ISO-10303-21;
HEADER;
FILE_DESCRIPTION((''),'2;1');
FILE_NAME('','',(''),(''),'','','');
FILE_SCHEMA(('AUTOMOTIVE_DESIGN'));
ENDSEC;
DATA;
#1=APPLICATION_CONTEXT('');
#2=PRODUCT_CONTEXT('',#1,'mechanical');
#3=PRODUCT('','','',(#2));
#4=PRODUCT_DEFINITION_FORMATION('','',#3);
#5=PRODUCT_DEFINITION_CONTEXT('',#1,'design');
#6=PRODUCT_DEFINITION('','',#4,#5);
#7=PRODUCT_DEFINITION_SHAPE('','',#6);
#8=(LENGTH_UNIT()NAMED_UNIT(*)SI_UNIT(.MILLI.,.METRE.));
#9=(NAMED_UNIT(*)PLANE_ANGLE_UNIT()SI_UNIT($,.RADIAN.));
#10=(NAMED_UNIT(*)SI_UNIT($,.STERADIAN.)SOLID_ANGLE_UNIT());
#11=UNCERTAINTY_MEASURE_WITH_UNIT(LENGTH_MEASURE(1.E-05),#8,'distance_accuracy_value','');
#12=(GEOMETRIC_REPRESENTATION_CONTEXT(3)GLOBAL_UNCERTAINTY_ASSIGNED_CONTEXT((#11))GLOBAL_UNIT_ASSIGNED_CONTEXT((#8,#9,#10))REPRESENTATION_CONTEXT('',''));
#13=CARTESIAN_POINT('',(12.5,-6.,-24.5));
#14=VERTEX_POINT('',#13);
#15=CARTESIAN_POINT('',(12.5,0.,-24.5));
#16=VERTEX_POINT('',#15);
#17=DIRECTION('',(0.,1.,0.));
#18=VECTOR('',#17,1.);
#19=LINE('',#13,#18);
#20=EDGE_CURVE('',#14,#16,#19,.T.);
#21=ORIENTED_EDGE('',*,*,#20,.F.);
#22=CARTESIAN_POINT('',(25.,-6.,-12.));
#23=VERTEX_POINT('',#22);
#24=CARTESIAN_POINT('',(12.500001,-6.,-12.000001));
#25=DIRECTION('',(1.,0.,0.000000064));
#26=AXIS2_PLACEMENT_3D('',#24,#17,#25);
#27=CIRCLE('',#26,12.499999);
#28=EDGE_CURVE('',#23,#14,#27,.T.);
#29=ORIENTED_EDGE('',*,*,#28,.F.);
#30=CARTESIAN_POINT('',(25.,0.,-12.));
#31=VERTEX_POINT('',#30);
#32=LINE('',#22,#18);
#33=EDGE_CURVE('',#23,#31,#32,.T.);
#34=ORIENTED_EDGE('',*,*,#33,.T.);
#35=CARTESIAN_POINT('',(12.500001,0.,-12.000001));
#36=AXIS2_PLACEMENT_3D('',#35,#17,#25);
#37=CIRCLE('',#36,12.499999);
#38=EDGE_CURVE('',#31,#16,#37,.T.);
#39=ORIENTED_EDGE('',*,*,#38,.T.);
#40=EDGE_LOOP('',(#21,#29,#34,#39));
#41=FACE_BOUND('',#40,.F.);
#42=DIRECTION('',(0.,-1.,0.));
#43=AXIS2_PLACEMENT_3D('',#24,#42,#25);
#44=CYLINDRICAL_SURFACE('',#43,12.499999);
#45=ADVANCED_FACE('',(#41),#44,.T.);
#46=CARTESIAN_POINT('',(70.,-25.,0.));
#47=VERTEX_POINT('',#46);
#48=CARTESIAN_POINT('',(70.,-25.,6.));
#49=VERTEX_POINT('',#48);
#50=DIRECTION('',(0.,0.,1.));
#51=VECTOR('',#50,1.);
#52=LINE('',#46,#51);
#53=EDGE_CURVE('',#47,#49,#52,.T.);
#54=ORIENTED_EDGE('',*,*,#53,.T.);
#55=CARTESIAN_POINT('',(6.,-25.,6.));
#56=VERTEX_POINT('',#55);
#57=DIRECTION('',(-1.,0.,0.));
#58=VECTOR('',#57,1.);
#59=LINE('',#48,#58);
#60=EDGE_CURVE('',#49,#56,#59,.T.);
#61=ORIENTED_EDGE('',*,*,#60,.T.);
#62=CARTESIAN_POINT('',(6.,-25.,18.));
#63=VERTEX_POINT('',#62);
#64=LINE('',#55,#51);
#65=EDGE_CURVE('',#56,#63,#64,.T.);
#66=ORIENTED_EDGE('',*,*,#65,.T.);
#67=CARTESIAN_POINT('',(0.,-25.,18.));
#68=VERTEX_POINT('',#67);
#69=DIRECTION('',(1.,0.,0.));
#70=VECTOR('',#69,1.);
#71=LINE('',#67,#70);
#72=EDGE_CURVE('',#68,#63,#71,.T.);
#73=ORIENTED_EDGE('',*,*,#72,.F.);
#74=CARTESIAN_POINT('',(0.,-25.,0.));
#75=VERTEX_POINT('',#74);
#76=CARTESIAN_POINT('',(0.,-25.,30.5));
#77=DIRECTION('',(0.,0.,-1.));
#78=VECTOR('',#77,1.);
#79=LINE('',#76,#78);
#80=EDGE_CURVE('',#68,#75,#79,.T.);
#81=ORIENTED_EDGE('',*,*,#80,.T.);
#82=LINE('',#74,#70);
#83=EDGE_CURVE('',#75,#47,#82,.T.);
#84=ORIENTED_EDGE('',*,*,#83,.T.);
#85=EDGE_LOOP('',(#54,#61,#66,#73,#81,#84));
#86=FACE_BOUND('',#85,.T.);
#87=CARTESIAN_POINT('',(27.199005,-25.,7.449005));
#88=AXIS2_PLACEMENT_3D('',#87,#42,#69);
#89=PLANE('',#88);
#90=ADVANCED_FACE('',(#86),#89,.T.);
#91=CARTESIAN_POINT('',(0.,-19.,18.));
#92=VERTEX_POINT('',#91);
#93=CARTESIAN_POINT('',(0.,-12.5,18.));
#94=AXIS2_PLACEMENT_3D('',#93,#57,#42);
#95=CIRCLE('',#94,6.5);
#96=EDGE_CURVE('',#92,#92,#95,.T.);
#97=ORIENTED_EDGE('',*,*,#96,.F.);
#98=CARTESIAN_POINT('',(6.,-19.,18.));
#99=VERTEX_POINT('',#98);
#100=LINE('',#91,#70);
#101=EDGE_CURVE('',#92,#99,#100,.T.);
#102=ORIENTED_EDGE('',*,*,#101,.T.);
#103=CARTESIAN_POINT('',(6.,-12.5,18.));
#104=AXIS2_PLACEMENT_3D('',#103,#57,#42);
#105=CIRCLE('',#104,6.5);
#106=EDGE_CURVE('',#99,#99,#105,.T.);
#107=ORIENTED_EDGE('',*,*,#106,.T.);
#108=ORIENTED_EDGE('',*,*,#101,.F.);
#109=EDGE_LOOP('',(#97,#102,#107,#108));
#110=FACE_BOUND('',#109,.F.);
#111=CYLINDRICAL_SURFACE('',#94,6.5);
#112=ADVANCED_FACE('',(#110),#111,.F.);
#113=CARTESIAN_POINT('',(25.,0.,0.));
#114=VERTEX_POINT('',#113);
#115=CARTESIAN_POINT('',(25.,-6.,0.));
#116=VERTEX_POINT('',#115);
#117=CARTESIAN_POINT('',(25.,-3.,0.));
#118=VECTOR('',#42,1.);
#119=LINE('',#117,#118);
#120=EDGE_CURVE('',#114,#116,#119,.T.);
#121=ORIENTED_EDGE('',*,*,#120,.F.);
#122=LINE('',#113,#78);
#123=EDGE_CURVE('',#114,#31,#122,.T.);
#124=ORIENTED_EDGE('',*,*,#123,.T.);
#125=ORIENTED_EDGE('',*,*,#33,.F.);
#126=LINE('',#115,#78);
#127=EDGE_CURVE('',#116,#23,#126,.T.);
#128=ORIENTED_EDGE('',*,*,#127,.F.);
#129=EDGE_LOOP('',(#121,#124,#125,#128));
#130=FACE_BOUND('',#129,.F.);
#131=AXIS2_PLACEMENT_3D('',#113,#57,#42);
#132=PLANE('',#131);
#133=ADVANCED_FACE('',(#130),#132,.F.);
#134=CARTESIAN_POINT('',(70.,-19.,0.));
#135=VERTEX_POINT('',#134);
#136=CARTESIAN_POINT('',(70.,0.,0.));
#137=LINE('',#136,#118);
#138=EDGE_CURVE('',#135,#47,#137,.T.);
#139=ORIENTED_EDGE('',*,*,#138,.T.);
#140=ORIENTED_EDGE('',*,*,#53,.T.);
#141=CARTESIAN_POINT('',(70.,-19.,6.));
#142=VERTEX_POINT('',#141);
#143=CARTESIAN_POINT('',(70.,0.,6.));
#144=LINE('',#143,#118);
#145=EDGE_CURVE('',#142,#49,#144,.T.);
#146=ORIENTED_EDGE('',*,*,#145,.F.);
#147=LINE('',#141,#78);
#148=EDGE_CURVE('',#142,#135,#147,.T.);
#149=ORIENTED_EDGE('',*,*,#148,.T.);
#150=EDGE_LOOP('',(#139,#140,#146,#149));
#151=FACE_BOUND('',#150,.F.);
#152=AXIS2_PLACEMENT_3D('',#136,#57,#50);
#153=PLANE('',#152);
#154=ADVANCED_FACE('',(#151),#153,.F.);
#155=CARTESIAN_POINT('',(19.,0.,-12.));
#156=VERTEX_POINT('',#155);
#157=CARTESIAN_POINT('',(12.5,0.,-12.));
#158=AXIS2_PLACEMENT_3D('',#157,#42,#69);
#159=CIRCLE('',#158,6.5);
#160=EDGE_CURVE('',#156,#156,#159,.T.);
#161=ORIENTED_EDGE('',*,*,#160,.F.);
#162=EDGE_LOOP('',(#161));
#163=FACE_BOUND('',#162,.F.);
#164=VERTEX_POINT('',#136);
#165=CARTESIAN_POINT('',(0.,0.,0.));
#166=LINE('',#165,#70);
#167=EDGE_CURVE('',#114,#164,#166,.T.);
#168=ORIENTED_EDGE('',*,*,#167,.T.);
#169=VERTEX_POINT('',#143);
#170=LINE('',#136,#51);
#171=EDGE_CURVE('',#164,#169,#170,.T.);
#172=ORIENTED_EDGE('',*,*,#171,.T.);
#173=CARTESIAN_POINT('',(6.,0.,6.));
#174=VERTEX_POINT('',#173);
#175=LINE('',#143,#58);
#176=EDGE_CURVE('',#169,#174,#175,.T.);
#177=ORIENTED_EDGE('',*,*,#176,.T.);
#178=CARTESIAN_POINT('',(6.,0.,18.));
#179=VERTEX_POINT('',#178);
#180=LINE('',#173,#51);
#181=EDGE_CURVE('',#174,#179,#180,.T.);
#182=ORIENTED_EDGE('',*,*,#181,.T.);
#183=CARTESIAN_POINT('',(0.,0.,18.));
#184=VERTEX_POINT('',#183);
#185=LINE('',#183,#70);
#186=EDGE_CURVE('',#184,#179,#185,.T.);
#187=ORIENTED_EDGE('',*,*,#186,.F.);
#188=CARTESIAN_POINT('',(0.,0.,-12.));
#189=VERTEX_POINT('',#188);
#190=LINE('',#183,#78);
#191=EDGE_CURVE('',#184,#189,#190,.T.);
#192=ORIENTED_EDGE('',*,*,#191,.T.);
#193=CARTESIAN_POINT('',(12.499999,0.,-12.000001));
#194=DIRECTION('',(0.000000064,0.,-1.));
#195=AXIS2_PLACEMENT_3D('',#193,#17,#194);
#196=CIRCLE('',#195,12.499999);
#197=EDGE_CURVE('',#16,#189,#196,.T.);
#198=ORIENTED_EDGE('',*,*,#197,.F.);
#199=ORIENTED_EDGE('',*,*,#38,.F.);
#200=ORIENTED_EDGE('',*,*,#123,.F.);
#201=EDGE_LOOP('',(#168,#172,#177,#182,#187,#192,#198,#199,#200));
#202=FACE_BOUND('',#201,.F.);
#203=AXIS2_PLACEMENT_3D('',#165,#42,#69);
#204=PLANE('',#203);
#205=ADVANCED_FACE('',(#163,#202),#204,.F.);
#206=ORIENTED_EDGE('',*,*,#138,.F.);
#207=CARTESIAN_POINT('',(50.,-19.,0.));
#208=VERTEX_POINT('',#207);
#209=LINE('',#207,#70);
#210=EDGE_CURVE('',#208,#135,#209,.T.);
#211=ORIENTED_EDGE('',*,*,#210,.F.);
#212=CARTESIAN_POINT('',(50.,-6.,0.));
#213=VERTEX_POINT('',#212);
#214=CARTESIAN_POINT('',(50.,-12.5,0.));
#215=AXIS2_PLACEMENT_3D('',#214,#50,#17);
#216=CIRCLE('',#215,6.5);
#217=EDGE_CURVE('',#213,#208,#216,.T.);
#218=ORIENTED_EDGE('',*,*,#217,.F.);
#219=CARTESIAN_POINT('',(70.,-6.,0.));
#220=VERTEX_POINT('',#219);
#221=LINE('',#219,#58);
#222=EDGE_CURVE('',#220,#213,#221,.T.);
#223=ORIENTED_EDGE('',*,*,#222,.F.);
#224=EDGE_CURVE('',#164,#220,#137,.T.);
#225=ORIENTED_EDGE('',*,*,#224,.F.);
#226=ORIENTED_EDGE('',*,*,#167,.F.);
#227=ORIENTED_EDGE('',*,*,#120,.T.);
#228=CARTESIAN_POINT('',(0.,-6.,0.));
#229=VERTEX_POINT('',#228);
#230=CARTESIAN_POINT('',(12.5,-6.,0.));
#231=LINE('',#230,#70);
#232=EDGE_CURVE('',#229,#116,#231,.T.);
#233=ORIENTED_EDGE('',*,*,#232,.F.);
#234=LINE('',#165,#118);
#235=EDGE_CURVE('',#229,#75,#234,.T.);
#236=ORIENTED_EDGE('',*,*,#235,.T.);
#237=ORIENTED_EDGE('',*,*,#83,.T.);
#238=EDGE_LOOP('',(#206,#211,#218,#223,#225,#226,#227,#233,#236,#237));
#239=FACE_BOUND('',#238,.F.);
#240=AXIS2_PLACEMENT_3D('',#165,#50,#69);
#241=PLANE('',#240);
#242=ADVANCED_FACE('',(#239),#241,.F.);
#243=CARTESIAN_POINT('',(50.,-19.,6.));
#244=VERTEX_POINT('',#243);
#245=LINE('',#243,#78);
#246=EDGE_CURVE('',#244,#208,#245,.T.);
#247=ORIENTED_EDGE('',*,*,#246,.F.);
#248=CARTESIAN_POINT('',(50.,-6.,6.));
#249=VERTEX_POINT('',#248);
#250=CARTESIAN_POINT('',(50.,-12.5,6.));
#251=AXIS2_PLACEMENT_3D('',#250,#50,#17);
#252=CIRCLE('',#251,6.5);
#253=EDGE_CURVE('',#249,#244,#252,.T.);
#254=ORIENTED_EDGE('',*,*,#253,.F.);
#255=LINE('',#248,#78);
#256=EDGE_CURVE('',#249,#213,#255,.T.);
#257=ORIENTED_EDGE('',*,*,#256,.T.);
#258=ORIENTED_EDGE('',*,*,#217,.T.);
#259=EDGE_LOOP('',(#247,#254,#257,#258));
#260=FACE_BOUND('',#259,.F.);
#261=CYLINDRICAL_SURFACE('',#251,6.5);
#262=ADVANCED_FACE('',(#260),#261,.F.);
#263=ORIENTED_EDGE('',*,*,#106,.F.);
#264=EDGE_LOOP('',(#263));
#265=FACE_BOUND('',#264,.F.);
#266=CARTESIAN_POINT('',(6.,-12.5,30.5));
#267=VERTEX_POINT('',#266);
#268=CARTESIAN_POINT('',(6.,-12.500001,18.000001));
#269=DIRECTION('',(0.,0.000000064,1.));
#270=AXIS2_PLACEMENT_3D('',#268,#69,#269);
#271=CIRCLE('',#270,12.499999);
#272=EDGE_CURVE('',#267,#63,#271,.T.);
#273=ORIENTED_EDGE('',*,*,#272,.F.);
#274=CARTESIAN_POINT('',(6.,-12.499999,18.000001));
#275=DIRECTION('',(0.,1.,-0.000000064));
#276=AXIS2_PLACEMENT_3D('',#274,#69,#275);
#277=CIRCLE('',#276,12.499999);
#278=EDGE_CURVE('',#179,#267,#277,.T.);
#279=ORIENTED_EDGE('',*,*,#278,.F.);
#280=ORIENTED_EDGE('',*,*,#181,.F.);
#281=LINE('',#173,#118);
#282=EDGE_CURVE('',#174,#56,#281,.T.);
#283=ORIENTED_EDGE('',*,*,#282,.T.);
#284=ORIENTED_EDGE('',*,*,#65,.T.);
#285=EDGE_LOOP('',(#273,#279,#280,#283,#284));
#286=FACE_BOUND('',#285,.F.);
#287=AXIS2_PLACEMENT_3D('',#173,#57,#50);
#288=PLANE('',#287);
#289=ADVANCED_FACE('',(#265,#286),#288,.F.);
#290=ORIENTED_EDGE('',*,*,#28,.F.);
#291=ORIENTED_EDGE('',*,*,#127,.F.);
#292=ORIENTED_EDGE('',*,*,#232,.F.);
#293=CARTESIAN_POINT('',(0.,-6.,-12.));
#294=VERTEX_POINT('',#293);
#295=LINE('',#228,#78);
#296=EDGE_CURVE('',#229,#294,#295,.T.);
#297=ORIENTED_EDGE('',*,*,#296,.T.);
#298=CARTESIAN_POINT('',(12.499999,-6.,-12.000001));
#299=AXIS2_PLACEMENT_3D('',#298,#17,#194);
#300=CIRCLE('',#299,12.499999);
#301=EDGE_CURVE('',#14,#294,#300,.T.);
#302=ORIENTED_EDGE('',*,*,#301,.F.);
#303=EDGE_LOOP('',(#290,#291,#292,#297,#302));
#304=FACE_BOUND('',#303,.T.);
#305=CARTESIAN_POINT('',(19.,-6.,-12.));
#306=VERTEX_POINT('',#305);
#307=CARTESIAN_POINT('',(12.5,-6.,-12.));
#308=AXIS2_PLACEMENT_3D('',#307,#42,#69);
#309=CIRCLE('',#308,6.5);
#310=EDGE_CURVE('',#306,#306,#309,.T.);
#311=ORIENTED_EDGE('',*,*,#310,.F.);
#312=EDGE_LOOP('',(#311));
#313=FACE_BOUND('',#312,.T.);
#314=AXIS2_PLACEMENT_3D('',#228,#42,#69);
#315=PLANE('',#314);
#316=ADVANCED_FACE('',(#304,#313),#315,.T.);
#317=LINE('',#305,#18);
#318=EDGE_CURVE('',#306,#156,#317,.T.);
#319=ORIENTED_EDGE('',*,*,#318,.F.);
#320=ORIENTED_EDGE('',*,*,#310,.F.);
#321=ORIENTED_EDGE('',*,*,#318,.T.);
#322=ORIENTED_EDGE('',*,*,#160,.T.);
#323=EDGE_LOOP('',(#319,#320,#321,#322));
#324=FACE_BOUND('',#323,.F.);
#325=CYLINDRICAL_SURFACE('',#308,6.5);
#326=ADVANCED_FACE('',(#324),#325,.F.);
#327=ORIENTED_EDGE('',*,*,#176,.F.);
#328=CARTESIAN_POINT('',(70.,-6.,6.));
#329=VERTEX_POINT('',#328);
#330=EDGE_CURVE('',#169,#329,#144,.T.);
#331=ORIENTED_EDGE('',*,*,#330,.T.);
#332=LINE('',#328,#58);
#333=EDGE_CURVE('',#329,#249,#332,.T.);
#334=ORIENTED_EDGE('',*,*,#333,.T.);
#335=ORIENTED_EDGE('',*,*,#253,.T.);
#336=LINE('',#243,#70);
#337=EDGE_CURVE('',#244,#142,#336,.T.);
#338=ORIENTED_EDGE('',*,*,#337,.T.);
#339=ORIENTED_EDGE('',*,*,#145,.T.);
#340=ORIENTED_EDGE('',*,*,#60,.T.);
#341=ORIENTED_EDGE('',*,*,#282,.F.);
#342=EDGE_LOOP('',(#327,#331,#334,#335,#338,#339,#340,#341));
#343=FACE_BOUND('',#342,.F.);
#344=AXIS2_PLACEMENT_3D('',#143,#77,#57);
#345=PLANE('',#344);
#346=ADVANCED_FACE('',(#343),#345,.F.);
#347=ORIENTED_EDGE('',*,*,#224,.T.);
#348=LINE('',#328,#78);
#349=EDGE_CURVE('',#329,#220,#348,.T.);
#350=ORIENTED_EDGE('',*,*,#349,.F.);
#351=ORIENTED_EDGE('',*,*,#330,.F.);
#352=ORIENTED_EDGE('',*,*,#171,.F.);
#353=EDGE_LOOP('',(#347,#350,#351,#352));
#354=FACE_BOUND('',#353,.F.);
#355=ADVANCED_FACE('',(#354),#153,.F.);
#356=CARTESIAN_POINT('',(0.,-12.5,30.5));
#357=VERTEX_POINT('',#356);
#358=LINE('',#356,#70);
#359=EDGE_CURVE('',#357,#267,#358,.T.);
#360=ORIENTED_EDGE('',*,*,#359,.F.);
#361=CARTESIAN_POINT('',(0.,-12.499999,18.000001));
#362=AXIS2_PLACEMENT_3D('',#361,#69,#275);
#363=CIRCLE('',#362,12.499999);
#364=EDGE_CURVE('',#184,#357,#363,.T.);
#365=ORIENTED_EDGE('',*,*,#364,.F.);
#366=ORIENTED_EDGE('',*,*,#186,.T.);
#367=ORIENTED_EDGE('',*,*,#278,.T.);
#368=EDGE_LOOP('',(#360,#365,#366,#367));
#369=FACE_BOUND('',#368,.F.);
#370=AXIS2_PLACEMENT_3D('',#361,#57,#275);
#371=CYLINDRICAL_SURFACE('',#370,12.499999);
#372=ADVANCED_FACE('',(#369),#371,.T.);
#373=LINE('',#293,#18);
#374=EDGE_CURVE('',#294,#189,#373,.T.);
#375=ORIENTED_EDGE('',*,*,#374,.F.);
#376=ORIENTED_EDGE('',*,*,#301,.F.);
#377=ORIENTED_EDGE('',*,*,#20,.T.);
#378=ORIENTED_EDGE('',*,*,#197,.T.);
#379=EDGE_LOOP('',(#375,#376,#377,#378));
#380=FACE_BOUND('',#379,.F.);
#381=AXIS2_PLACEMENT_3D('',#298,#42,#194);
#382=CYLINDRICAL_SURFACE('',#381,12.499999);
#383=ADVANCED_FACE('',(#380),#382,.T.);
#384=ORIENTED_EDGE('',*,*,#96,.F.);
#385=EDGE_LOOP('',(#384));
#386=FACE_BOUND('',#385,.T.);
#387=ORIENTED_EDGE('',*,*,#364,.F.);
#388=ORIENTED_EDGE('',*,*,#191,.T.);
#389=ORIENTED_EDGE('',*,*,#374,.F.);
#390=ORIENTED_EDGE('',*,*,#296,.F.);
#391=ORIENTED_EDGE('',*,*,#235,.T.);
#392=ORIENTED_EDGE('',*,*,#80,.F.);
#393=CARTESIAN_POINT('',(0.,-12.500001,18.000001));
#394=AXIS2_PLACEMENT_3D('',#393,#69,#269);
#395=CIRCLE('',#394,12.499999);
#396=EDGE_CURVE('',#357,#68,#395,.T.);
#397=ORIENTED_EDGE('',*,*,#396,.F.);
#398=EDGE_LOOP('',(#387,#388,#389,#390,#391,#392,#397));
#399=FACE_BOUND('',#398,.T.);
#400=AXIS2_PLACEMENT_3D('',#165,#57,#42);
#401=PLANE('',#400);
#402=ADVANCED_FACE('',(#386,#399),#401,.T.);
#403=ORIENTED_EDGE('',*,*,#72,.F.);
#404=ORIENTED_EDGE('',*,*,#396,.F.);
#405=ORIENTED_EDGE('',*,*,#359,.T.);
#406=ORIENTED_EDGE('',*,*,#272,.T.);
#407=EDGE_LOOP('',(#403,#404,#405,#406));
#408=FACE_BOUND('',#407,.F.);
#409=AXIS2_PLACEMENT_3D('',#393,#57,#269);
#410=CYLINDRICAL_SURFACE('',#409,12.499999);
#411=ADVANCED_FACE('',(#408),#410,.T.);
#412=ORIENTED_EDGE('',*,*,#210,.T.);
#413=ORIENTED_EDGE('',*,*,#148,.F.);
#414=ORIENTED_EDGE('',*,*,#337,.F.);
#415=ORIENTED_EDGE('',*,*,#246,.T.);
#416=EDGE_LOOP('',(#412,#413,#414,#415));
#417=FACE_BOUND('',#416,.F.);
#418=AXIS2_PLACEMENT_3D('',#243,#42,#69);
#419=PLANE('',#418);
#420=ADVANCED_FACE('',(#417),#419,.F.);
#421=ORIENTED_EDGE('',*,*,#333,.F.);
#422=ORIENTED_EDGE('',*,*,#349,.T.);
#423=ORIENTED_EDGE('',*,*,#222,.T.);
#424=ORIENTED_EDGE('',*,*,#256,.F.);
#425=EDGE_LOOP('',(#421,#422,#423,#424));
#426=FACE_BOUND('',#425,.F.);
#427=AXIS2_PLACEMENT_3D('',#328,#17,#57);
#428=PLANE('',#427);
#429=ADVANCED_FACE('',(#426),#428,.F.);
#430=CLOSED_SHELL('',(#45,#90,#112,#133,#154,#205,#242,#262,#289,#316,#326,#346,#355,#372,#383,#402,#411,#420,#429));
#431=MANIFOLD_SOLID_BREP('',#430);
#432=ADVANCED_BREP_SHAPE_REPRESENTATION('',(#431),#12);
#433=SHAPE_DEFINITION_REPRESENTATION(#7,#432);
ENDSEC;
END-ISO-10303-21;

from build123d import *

# Parameters (mm, degrees)
F1_DEPTH  = 25
F3_DEPTH  = 6
F5_DEPTH  = 6
F6_R      = 6.5
F7_DEPTH  = 6
F8_W      = 25
F8_H      = 6
F9_DEPTH  = 24.5
F10_R     = 6.5
F11_DEPTH = 6


with BuildPart() as f1:
    # F0 (on Front) → F1 (new body)
    with BuildSketch(Plane.XZ):
        Polygon((0, 30.5), (0, 0), (70, 0), (70, 6), (6, 6), (6, 30.5), align=None)
    extrude(amount=F1_DEPTH)

    # F2 (on face) → F3 (cut)
    with BuildSketch(Plane.XY.offset(6)):
        with BuildLine():
            Line((70, -19), (70, -6))
            Line((70, -6), (50, -6))
            ThreePointArc((50, -6), (43.5, -12.5), (50, -19))
            Line((50, -19), (70, -19))
        make_face()
    extrude(amount=-F3_DEPTH, mode=Mode.SUBTRACT)

    # F4 (on face) → F5 (cut)
    with BuildSketch(Plane(origin=(0, 0, 0), x_dir=(0, -1, 0), z_dir=(-1, 0, 0))):
        with BuildLine():
            ThreePointArc((12.5, 30.5), (21.338835, 26.838835), (25, 18))
            Line((25, 18), (25, 30.5))
            Line((25, 30.5), (12.5, 30.5))
        make_face()
        with BuildLine():
            ThreePointArc((0, 18), (3.661165, 26.838835), (12.5, 30.5))
            Line((12.5, 30.5), (0, 30.5))
            Line((0, 30.5), (0, 18))
        make_face()
    extrude(amount=-F5_DEPTH, mode=Mode.SUBTRACT)

    # F6 (on face) → F7 (cut)
    with BuildSketch(Plane(origin=(0, 0, 0), x_dir=(0, -1, 0), z_dir=(-1, 0, 0))):
        with Locations((12.5, 18)):
            Circle(F6_R)
    extrude(amount=-F7_DEPTH, mode=Mode.SUBTRACT)

    # F8 (on face) → F9 (join)
    with BuildSketch(Plane(origin=(0, 0, 0), x_dir=(1, 0, 0), z_dir=(0, 0, -1))):
        with Locations((12.5, 3)):
            Rectangle(F8_W, F8_H)
    extrude(amount=F9_DEPTH)

    # F10 (on face) → F11 (cut)
    with BuildSketch(Plane.XZ.offset(6)):
        with BuildLine():
            ThreePointArc((12.5, -24.5), (3.661165, -20.838835), (0, -12))
            Line((0, -12), (0, -24.5))
            Line((0, -24.5), (12.5, -24.5))
        make_face()
        with BuildLine():
            ThreePointArc((25, -12), (21.338835, -20.838835), (12.5, -24.5))
            Line((12.5, -24.5), (25, -24.5))
            Line((25, -24.5), (25, -12))
        make_face()
        with Locations((12.5, -12)):
            Circle(F10_R)
    extrude(amount=-F11_DEPTH, mode=Mode.SUBTRACT)


solid = f1.part
